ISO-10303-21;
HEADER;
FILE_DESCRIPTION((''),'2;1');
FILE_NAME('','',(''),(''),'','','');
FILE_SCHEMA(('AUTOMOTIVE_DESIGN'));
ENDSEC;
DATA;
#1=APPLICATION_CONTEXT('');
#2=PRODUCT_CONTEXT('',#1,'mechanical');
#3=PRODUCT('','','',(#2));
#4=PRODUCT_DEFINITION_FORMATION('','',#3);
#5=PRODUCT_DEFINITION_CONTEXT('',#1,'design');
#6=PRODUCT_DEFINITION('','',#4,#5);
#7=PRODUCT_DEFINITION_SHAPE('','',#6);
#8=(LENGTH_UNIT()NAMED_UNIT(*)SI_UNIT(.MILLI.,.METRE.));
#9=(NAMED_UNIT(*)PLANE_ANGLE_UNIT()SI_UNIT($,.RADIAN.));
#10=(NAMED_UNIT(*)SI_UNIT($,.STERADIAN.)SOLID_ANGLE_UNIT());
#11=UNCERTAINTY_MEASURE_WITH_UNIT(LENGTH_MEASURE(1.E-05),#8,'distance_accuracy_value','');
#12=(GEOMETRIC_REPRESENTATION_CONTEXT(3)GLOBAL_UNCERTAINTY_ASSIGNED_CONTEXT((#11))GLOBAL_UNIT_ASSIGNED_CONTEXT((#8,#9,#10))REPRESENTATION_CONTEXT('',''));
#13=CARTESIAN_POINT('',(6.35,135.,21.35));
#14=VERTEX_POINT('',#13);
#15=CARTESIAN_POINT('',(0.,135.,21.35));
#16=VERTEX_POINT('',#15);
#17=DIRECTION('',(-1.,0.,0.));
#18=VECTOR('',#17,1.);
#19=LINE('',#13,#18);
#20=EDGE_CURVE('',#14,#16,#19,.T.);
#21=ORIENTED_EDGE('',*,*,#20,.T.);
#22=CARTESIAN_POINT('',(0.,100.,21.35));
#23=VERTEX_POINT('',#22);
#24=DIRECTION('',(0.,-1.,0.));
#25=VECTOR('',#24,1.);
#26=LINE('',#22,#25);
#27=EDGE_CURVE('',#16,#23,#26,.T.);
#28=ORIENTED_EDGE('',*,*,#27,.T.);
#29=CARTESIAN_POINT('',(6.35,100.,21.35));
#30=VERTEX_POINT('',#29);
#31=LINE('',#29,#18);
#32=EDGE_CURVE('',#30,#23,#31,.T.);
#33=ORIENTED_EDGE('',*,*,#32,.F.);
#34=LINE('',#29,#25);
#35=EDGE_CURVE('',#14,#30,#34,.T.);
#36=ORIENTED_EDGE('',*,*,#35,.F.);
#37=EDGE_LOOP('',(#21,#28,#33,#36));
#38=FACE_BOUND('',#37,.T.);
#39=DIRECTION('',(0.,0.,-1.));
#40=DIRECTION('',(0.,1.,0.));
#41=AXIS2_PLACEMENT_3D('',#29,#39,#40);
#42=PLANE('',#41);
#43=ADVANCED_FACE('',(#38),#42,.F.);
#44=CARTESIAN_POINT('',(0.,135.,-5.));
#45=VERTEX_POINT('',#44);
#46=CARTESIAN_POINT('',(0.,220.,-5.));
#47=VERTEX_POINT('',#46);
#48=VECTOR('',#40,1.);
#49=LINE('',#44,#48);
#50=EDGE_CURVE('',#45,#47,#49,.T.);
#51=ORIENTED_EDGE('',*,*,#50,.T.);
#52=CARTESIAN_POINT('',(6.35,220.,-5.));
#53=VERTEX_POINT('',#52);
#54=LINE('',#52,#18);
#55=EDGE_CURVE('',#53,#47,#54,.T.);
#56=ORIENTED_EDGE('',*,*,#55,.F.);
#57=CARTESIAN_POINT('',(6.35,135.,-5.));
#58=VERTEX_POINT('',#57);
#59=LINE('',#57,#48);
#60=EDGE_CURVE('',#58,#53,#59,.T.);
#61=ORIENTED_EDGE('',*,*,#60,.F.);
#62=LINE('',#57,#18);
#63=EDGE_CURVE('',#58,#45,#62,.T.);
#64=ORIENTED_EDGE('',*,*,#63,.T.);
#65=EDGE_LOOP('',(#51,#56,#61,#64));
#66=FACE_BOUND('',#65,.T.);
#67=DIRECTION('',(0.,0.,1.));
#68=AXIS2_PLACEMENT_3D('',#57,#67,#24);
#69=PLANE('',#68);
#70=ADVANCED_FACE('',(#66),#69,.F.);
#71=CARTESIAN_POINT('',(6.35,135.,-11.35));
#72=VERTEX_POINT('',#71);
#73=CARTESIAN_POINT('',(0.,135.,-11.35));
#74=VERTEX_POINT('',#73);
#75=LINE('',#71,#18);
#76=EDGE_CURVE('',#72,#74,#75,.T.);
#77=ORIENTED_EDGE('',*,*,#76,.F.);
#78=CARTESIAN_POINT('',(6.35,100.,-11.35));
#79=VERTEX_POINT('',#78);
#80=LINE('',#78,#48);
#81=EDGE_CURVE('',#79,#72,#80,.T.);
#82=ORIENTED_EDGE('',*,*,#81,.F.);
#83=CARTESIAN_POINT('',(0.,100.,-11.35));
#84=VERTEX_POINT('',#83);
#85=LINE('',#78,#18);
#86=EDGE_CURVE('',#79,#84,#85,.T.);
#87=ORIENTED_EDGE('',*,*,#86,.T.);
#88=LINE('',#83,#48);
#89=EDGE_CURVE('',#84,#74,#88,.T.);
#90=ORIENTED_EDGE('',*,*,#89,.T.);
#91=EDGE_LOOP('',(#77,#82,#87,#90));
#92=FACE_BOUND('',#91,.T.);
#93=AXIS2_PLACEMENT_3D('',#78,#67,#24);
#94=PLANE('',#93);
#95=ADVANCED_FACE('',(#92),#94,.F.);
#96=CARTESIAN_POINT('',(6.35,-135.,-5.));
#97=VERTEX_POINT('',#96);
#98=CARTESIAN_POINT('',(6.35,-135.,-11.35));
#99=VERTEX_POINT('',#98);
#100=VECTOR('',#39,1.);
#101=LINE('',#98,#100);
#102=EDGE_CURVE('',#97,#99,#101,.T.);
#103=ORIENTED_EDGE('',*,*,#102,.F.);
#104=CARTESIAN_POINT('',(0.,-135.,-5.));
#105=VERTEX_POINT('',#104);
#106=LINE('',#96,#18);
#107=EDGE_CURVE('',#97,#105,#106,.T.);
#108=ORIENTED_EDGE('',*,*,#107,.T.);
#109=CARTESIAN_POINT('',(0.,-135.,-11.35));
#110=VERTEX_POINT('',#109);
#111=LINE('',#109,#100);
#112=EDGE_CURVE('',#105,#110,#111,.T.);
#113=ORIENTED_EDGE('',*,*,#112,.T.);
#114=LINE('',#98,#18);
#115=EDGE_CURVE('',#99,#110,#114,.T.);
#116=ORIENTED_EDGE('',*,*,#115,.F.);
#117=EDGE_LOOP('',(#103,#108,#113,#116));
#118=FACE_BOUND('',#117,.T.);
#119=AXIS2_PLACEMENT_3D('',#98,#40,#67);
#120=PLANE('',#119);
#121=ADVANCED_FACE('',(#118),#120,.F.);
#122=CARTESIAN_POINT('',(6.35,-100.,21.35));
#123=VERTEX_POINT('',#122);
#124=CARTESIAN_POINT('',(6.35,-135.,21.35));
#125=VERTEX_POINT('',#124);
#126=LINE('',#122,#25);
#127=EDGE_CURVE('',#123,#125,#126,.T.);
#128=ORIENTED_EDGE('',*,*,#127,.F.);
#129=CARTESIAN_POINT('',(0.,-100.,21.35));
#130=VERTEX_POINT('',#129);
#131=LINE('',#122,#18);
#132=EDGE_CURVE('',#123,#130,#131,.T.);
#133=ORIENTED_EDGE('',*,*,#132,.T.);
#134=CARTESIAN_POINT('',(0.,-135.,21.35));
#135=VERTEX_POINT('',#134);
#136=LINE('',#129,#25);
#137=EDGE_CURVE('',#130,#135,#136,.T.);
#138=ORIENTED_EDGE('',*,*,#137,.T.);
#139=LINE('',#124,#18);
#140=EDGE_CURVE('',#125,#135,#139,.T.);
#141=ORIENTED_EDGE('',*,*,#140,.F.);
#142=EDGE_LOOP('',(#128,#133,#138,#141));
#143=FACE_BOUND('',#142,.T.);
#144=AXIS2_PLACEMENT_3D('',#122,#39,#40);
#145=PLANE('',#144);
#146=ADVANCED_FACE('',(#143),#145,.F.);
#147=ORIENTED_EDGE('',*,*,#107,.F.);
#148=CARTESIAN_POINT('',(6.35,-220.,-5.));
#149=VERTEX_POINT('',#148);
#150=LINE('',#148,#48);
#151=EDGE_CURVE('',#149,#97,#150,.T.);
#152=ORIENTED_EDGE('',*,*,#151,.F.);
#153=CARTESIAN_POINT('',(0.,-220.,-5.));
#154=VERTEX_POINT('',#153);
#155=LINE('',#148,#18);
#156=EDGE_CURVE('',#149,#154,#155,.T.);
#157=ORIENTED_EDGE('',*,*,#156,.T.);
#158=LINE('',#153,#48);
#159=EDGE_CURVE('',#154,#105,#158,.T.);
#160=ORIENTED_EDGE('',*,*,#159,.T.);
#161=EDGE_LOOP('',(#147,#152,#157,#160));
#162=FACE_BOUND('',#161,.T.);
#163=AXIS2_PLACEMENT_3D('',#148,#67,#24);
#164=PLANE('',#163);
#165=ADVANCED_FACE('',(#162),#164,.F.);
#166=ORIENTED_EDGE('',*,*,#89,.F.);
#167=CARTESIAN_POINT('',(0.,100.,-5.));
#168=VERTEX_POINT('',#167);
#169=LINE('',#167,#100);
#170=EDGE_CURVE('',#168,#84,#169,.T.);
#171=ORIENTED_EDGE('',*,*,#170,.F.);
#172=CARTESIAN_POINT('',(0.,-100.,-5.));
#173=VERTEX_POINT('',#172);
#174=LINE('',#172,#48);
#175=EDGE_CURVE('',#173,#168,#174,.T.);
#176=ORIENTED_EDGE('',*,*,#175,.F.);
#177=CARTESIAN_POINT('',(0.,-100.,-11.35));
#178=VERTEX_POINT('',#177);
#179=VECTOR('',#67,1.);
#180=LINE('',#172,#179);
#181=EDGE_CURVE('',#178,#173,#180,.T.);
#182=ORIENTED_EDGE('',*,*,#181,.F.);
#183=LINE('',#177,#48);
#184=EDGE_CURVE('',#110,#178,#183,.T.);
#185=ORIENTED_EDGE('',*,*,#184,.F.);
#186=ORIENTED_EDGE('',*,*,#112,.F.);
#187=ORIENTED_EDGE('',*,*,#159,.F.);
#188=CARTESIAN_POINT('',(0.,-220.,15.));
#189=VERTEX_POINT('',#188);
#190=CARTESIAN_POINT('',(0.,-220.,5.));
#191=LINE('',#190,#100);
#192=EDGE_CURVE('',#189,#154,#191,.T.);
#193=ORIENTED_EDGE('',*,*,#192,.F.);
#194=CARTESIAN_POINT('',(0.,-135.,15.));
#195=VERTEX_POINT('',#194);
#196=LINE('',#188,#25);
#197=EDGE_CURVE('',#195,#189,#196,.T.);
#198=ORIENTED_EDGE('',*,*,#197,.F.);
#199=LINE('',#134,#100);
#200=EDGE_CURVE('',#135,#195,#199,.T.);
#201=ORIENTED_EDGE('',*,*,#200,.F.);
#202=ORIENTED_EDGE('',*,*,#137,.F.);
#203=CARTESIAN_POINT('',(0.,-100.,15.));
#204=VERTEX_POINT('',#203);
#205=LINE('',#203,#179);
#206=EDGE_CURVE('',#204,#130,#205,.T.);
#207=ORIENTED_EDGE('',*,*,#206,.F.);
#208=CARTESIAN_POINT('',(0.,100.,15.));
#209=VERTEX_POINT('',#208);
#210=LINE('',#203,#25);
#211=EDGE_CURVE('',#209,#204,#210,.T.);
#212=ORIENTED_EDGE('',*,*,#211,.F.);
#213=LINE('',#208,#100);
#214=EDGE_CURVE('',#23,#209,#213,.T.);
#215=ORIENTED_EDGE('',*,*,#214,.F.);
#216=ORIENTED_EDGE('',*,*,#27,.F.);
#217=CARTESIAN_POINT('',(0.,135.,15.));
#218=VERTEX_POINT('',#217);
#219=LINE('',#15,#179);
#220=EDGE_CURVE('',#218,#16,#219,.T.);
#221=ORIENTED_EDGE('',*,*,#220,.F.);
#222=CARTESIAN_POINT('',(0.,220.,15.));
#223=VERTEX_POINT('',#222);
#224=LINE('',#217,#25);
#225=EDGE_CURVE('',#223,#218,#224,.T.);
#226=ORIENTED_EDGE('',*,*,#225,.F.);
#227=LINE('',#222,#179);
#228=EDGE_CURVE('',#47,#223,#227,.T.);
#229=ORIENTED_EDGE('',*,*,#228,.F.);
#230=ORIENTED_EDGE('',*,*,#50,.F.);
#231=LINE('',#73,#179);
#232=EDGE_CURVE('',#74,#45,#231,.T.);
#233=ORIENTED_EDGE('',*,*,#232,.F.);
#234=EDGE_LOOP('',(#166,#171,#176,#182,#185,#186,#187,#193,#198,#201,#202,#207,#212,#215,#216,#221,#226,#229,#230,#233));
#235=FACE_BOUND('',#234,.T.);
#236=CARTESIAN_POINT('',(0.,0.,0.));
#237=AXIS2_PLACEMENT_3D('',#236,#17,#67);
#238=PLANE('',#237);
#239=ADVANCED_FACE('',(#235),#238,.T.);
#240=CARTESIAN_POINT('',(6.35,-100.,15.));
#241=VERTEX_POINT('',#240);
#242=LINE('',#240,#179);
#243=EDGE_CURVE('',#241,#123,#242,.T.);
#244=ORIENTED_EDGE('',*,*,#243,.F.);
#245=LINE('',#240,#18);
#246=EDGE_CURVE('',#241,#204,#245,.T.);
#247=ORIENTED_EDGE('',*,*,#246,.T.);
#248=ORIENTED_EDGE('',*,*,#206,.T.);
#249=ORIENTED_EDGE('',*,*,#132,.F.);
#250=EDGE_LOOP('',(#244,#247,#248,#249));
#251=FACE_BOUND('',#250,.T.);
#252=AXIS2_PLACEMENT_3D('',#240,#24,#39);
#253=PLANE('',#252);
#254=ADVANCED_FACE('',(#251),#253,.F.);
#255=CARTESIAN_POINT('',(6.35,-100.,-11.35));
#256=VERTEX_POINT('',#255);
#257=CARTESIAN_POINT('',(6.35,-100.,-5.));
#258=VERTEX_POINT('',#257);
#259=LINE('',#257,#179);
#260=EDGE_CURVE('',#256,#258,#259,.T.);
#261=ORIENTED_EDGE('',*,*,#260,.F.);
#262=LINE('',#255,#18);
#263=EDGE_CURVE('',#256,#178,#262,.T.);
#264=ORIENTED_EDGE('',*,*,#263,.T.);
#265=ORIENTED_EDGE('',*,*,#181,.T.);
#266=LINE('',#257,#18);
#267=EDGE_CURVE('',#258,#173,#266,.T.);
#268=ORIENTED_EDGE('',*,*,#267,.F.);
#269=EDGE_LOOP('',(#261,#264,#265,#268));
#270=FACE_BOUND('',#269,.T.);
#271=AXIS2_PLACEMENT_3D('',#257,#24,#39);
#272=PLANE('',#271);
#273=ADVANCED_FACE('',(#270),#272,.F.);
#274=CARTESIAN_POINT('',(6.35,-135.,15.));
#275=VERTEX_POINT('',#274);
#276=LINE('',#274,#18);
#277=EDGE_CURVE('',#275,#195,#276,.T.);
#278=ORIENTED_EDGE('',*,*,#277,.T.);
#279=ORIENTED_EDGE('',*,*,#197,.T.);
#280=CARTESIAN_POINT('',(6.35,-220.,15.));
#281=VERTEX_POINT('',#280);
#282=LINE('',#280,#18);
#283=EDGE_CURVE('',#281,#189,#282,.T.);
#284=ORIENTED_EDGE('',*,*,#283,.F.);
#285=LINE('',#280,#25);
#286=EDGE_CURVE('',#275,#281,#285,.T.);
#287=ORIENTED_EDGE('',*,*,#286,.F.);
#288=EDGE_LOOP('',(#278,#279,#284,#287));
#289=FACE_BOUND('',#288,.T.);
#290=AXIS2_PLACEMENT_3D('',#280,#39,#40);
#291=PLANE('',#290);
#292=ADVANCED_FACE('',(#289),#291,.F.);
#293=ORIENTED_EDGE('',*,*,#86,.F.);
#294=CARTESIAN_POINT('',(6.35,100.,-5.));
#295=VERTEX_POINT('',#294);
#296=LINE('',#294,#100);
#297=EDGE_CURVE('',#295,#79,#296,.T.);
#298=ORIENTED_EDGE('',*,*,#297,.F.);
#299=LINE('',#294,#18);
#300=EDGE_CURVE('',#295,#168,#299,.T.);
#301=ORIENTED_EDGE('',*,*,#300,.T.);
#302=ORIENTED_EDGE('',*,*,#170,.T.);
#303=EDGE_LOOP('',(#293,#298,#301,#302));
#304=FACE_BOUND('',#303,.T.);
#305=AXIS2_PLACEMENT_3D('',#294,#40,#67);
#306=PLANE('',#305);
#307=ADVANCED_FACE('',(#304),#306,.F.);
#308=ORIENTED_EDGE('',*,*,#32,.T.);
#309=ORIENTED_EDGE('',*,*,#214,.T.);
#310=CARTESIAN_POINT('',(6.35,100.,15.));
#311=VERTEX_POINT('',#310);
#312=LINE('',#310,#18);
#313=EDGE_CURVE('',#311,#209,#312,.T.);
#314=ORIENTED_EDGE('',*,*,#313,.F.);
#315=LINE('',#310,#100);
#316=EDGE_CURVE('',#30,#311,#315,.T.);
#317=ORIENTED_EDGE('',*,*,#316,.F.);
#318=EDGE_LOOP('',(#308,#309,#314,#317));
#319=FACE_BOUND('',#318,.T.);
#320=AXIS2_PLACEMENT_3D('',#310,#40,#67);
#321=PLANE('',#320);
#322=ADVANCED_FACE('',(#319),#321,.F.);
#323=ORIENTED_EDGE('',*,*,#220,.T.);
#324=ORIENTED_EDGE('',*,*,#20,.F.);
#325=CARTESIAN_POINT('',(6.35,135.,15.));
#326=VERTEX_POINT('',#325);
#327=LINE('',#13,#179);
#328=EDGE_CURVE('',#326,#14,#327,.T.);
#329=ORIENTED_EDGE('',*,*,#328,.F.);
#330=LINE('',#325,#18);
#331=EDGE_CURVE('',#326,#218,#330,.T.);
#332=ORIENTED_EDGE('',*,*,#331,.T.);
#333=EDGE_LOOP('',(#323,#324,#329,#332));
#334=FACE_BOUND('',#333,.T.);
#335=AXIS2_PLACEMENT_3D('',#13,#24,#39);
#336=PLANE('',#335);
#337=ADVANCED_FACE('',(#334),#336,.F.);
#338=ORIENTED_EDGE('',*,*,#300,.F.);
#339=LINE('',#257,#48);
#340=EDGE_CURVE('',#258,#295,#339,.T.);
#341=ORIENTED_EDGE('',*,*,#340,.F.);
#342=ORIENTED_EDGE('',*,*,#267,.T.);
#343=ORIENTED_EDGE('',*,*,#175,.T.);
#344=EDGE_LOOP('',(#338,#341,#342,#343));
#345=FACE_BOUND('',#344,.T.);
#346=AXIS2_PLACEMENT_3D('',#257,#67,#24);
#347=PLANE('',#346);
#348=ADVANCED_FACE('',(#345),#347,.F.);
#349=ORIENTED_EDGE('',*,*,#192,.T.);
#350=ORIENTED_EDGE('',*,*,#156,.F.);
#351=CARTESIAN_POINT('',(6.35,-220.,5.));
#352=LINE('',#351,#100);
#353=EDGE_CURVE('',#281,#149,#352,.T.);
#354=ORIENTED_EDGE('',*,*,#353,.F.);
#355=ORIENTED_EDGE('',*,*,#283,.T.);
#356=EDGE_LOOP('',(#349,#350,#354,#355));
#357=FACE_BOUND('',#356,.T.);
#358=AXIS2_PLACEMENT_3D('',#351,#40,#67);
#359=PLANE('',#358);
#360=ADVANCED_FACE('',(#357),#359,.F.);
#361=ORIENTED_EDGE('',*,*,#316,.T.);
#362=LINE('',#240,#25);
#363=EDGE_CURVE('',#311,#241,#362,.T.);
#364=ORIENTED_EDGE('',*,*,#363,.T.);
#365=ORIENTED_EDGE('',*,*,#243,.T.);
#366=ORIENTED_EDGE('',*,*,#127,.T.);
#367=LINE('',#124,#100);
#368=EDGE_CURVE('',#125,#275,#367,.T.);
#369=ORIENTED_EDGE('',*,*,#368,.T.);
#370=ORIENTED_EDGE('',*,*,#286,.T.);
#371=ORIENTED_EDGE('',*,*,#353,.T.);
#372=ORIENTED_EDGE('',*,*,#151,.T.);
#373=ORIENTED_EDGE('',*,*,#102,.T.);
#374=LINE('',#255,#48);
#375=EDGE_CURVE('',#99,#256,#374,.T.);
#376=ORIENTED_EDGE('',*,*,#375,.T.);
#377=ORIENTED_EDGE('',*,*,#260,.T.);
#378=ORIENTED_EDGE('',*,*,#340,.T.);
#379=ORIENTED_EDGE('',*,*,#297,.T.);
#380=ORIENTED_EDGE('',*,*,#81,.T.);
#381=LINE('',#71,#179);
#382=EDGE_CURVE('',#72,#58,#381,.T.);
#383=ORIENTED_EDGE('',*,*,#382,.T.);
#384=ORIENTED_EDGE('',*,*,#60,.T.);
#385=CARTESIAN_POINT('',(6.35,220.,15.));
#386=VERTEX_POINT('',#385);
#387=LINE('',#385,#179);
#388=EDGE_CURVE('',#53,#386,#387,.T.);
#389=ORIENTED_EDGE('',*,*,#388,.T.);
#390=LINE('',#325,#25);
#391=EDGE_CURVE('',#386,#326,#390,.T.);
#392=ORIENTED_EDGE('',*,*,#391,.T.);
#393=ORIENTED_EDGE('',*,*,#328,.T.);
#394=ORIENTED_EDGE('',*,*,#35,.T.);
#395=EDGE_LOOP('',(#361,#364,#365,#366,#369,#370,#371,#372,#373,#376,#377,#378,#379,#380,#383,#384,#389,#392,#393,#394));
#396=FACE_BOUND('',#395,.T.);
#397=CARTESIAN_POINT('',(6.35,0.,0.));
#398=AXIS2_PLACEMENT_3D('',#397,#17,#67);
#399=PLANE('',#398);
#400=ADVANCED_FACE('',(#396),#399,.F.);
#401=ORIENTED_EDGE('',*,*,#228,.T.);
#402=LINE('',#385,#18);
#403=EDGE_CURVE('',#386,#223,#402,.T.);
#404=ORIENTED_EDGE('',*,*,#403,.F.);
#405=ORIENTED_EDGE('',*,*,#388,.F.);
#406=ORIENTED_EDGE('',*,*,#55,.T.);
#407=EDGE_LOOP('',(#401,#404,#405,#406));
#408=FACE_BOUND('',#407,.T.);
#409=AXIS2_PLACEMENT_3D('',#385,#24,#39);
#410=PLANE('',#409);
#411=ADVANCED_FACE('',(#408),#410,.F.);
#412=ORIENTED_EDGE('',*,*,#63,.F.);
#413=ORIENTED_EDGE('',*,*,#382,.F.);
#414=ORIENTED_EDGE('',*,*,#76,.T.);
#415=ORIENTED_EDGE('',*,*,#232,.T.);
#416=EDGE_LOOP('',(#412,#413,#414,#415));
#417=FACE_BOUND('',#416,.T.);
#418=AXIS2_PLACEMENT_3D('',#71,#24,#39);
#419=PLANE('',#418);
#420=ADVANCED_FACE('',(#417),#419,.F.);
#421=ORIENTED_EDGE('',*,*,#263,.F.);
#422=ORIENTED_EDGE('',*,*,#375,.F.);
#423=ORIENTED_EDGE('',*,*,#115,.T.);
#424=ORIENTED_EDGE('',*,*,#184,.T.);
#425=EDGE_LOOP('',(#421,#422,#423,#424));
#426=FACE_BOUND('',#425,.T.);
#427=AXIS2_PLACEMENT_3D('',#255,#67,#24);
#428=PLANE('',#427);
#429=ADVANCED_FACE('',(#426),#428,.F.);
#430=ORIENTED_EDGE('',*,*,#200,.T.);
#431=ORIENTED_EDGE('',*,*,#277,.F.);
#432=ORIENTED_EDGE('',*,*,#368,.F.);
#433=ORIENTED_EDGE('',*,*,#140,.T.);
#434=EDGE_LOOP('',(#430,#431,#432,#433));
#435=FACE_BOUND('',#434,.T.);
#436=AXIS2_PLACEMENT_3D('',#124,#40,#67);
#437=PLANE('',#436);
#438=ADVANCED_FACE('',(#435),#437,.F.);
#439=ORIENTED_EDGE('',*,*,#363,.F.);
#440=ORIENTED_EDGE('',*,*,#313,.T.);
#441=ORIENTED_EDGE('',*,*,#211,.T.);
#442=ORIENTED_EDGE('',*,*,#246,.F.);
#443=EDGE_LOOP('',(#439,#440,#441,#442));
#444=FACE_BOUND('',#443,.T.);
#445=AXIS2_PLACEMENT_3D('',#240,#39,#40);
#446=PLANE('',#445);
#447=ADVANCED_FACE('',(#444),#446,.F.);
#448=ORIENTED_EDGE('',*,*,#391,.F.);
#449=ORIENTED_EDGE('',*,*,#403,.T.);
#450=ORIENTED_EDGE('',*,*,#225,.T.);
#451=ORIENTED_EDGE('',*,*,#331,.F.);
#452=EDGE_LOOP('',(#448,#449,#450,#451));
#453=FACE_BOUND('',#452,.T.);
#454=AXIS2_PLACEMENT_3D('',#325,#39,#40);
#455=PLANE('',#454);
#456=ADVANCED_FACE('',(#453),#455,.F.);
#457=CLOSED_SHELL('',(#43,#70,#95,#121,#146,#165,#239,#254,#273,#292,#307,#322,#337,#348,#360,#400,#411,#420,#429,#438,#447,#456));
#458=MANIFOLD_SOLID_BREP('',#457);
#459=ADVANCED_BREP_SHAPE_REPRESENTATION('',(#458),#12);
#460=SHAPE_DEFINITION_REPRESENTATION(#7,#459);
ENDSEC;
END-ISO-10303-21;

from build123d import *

# Parameters (mm, degrees)
BOSS_EXTRUDE1_DEPTH = 6.35


with BuildPart() as part:
    # Sketch3 → Boss-Extrude1 (new body)
    with BuildSketch(Plane(origin=(0, 0, 0), x_dir=(0, 0, -1), z_dir=(1, 0, 0))):
        Polygon((-5, -220), (5, -220), (5, -135), (11.35, -135), (11.35, -100), (5, -100), (5, 100), (11.35, 100), (11.35, 135), (5, 135), (5, 220), (-15, 220), (-15, 135), (-21.35, 135), (-21.35, 100), (-15, 100), (-15, -100), (-21.35, -100), (-21.35, -135), (-15, -135), (-15, -220), align=None)
    extrude(amount=BOSS_EXTRUDE1_DEPTH)


solid = part.part
